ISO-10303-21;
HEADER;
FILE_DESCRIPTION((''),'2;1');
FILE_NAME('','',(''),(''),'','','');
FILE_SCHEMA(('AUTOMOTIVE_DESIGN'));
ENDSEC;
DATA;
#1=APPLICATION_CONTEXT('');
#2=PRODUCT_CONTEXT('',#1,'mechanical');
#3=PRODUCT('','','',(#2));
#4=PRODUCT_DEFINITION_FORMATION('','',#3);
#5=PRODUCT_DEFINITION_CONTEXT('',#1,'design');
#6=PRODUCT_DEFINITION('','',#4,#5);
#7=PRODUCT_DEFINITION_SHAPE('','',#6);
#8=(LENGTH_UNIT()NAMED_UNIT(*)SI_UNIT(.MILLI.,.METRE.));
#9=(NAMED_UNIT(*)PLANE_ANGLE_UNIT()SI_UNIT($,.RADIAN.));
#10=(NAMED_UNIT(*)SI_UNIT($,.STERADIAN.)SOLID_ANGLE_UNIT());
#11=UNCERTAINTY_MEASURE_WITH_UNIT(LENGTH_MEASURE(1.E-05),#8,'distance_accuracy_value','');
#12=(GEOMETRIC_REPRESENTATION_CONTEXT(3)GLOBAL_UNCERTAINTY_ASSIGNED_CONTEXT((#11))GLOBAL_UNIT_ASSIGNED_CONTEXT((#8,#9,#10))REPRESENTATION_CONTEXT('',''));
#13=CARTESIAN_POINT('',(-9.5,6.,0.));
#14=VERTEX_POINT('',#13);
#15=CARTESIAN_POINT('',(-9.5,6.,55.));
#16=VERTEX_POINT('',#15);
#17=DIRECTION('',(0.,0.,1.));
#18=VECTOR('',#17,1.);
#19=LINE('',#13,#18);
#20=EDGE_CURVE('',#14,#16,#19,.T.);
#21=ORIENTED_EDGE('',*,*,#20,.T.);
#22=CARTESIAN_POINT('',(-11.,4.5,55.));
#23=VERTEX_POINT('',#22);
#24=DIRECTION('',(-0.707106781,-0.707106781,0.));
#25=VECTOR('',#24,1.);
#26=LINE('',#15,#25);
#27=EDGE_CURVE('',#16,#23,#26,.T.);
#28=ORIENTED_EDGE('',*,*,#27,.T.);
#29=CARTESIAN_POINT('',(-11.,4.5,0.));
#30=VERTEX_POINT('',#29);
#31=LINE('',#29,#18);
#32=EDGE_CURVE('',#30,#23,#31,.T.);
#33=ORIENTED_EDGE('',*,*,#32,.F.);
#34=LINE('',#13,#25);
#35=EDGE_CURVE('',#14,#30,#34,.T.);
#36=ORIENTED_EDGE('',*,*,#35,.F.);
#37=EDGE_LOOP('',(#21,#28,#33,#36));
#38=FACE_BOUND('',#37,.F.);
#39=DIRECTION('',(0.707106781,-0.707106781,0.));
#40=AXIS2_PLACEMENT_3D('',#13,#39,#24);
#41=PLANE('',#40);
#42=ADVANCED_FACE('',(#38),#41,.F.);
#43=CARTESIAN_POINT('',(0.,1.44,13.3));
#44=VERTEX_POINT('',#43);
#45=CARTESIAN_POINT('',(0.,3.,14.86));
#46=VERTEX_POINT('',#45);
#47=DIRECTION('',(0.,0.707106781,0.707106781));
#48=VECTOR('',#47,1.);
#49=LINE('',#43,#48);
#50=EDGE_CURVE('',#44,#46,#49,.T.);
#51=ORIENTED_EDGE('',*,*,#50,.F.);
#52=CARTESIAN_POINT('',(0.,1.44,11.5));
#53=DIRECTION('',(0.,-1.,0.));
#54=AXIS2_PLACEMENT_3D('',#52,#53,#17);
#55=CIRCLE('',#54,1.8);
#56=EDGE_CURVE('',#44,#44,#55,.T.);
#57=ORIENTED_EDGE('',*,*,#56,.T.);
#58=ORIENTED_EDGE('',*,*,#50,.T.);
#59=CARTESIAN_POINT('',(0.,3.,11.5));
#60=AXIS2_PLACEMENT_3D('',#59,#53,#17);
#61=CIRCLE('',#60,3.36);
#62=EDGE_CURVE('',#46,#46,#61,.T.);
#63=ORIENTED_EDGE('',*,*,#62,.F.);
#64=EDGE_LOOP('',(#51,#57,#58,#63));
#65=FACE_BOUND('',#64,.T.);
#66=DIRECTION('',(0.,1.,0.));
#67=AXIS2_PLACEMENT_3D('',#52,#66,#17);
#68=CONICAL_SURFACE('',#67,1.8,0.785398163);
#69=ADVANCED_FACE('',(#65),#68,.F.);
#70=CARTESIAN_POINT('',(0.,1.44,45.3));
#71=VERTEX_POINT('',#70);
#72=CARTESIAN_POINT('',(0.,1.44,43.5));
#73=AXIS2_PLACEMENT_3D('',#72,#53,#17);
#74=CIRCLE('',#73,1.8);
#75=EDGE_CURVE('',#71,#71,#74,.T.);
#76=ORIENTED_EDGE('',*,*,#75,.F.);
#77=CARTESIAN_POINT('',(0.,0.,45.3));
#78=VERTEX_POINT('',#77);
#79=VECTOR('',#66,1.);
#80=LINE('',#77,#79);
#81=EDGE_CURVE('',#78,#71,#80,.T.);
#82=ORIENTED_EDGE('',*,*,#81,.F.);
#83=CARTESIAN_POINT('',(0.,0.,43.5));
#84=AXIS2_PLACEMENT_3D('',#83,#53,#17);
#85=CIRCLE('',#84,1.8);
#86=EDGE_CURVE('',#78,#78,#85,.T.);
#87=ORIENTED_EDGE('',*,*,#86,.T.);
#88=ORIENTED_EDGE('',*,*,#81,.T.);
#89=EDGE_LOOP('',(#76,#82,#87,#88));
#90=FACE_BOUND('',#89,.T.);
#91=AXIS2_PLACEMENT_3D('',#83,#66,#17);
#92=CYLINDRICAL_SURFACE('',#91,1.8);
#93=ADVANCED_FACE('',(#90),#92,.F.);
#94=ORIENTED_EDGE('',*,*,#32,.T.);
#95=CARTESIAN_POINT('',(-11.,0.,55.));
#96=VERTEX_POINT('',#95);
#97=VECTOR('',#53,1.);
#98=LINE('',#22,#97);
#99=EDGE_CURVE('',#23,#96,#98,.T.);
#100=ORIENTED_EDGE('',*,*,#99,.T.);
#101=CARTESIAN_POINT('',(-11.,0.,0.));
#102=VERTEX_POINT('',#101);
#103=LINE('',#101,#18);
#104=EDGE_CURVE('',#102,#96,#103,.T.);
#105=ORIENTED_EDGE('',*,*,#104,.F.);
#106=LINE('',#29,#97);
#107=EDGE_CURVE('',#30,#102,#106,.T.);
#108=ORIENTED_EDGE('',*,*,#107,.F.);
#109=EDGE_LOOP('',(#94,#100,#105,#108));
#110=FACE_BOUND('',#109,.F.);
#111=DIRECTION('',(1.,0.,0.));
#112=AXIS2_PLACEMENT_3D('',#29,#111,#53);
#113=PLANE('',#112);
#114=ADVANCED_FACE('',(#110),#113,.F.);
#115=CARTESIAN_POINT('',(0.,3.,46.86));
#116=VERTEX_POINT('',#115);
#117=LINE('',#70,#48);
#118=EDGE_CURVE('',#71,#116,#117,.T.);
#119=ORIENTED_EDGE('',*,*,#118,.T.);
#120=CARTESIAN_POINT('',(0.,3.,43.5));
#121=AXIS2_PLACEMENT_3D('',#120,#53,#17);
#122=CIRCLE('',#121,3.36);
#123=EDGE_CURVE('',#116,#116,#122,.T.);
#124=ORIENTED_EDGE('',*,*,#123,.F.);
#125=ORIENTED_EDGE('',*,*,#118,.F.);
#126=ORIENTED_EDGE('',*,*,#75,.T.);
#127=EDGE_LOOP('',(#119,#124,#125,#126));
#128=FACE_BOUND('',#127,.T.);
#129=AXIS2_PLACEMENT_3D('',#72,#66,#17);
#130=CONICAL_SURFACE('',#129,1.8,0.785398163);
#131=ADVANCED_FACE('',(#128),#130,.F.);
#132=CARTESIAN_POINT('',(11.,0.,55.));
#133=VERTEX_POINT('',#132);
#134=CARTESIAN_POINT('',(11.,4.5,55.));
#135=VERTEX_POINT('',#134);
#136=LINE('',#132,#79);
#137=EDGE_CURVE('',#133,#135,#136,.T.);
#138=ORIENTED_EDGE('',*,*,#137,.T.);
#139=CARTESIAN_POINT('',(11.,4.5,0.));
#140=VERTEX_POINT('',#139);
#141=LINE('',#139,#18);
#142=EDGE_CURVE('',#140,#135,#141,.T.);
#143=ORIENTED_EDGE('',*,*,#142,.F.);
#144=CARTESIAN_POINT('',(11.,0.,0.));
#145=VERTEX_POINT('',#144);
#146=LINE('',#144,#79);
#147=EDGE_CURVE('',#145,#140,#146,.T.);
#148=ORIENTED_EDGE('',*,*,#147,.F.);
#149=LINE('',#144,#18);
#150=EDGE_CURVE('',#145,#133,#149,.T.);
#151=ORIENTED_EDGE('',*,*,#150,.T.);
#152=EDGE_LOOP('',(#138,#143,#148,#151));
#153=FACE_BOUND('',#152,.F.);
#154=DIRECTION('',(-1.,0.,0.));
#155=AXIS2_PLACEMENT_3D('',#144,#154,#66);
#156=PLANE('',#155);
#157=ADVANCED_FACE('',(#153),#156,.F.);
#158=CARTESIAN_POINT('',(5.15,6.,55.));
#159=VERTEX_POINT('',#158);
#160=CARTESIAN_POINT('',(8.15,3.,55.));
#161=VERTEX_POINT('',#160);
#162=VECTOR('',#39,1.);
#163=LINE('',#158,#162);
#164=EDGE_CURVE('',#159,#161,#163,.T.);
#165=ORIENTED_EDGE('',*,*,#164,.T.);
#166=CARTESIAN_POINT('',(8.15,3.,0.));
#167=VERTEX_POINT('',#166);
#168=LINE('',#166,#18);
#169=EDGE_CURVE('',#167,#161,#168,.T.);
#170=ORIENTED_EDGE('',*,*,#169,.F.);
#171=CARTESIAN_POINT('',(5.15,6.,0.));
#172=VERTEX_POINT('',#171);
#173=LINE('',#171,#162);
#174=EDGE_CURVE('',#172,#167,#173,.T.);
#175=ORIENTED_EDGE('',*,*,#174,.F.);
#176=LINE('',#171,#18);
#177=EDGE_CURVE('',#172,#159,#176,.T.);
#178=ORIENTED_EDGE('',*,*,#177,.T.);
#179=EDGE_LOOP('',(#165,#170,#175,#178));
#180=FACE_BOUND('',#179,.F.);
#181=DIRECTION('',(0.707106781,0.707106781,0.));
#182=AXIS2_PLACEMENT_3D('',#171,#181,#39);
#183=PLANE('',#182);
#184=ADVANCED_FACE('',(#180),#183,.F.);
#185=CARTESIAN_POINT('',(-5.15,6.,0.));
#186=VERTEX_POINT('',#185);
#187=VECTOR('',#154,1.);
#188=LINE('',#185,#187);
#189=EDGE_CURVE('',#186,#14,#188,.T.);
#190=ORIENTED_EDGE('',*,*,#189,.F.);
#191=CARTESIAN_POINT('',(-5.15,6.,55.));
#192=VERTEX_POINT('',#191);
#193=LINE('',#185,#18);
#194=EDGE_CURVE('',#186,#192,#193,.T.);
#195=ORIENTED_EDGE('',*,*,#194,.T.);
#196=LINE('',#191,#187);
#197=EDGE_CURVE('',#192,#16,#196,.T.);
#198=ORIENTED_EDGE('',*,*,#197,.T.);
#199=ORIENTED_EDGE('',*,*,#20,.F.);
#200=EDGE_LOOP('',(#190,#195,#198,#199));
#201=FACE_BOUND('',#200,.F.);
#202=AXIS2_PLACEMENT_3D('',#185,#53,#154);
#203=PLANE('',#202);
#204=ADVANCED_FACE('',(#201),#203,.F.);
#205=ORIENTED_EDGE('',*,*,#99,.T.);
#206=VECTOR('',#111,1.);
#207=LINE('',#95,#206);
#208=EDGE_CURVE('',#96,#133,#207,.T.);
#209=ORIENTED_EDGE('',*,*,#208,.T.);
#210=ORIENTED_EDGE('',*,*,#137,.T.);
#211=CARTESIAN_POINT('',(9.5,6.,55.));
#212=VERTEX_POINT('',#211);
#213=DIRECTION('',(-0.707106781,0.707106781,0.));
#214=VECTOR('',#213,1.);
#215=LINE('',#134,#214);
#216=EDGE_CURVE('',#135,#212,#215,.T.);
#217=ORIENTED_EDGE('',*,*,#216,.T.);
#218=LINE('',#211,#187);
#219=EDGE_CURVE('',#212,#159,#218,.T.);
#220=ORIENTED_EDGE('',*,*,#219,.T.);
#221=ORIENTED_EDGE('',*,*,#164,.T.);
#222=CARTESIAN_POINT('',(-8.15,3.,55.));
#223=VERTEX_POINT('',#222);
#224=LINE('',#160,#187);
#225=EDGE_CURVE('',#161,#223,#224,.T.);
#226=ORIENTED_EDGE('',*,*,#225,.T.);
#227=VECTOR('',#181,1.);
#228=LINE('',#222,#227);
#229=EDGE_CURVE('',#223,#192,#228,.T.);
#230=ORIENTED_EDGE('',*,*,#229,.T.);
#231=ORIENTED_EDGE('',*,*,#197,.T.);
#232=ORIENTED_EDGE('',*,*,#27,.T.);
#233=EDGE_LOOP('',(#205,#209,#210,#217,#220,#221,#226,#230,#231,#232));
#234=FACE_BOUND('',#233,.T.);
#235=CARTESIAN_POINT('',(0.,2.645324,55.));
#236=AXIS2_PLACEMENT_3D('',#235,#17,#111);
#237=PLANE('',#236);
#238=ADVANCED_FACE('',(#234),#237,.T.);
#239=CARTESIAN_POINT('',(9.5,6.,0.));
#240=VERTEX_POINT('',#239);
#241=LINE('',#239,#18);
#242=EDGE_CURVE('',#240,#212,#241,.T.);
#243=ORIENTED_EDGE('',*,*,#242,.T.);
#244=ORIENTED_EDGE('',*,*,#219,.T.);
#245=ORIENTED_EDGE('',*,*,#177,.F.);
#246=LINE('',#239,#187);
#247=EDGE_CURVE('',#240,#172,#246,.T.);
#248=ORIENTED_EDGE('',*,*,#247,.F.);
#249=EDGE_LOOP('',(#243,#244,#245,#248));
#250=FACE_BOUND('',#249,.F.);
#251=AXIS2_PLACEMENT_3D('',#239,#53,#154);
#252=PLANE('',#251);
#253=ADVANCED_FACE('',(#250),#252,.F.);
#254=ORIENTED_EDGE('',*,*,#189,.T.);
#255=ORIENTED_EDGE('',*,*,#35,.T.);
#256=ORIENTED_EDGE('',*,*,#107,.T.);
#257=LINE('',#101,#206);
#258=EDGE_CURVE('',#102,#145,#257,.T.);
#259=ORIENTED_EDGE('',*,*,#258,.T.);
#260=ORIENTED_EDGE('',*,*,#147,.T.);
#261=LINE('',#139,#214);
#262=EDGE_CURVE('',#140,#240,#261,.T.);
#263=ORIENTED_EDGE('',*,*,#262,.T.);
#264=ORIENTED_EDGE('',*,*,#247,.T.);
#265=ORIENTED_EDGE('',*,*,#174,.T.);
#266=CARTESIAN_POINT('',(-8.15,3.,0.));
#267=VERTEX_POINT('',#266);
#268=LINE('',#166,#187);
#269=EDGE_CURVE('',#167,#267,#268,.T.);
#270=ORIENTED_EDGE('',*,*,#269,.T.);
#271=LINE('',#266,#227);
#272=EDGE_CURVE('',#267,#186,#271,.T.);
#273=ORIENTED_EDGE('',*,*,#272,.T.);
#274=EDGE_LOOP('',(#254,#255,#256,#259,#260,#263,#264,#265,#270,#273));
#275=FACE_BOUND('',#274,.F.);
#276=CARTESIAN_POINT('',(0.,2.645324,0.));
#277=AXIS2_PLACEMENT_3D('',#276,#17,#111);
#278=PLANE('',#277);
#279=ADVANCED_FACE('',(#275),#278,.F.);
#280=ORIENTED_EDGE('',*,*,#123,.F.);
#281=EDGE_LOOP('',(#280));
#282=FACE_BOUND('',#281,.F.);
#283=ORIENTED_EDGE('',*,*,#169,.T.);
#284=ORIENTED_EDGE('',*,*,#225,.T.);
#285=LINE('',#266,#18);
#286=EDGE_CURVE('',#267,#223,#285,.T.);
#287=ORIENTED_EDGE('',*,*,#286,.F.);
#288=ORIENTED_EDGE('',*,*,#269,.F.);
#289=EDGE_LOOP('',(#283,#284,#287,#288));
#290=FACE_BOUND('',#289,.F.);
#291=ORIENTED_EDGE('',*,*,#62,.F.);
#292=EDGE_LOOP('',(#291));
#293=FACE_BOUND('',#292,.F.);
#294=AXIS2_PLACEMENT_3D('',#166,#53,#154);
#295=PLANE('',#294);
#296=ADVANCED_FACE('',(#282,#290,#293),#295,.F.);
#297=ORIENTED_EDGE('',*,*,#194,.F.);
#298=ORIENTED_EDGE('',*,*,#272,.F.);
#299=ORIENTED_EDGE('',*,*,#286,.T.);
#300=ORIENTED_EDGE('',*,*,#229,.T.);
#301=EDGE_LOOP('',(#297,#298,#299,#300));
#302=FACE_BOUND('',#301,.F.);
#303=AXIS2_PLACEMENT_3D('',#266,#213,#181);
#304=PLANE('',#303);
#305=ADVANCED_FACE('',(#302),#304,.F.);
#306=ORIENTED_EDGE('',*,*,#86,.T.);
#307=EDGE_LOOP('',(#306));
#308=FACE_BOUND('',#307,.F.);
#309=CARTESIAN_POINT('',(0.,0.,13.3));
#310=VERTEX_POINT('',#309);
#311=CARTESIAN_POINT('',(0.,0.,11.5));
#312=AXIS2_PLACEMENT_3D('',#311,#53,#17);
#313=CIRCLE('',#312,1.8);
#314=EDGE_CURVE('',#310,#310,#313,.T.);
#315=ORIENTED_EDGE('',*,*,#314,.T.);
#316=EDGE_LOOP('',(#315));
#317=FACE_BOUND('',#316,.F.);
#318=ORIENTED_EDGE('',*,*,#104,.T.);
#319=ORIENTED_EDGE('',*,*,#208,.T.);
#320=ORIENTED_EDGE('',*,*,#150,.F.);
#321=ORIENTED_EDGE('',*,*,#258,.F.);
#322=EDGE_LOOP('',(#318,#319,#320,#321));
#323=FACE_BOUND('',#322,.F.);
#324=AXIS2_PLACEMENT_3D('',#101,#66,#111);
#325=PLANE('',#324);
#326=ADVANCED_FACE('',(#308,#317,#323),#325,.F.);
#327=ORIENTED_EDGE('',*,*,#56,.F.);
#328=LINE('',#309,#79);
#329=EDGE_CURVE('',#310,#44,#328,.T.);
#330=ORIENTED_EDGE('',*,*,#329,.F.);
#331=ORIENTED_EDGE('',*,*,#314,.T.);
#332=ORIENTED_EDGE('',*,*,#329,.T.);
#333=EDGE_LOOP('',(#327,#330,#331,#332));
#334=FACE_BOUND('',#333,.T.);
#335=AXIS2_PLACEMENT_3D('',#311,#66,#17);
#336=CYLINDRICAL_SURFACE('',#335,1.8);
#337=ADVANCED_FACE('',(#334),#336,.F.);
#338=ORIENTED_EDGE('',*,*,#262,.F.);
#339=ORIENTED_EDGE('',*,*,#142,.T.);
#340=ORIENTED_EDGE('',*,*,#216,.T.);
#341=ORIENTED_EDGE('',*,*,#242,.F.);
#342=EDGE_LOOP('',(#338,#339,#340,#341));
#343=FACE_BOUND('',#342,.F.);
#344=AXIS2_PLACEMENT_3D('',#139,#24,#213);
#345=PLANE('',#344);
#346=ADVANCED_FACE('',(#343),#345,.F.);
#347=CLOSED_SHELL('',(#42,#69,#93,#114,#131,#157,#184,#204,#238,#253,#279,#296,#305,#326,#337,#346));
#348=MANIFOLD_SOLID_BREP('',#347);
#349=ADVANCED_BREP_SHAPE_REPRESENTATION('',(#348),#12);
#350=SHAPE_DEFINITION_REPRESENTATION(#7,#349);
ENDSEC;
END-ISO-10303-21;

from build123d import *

# Parameters (mm, degrees)
BOSS_EXTRUDE1_DEPTH                          = 55
CSK_FOR_M3_HEX_SOCKET_COUNTERSUNK_CA_2_COUNT = 2
CSK_FOR_M3_HEX_SOCKET_COUNTERSUNK_CA_2_PITCH = 32


with BuildPart() as part:
    # Sketch2 → Boss-Extrude1 (new body)
    with BuildSketch(Plane.XY):
        Polygon((-11, 0), (11, 0), (11, 4.5), (9.5, 6), (5.15, 6), (8.15, 3), (-8.15, 3), (-5.15, 6), (-9.5, 6), (-11, 4.5), align=None)
    extrude(amount=BOSS_EXTRUDE1_DEPTH)

    # Sketch4 → CSK for M3 Hex Socket Countersunk Cap Screw1 (revolve, cut)
    with BuildSketch(Plane(origin=(0, 3, 11.5), x_dir=(0, 0, 1), z_dir=(1, 0, 0))):
        Polygon((0, 0), (0, 3), (1.8, 3), (1.8, 1.56), (3.36, 0), align=None)
    csk_for_m3_hex_socket_countersunk_cap_sc = revolve(axis=Axis((0, 9.35, 11.5), (0, -1, 0)), mode=Mode.SUBTRACT)

    # CSK for M3 Hex Socket Countersunk Ca 2: CSK for M3 Hex Socket Countersunk Cap Screw1 ×2
    with Locations(*[(0, 0, i * CSK_FOR_M3_HEX_SOCKET_COUNTERSUNK_CA_2_PITCH) for i in range(1, CSK_FOR_M3_HEX_SOCKET_COUNTERSUNK_CA_2_COUNT)]):
        add(csk_for_m3_hex_socket_countersunk_cap_sc, mode=Mode.SUBTRACT)


solid = part.part
